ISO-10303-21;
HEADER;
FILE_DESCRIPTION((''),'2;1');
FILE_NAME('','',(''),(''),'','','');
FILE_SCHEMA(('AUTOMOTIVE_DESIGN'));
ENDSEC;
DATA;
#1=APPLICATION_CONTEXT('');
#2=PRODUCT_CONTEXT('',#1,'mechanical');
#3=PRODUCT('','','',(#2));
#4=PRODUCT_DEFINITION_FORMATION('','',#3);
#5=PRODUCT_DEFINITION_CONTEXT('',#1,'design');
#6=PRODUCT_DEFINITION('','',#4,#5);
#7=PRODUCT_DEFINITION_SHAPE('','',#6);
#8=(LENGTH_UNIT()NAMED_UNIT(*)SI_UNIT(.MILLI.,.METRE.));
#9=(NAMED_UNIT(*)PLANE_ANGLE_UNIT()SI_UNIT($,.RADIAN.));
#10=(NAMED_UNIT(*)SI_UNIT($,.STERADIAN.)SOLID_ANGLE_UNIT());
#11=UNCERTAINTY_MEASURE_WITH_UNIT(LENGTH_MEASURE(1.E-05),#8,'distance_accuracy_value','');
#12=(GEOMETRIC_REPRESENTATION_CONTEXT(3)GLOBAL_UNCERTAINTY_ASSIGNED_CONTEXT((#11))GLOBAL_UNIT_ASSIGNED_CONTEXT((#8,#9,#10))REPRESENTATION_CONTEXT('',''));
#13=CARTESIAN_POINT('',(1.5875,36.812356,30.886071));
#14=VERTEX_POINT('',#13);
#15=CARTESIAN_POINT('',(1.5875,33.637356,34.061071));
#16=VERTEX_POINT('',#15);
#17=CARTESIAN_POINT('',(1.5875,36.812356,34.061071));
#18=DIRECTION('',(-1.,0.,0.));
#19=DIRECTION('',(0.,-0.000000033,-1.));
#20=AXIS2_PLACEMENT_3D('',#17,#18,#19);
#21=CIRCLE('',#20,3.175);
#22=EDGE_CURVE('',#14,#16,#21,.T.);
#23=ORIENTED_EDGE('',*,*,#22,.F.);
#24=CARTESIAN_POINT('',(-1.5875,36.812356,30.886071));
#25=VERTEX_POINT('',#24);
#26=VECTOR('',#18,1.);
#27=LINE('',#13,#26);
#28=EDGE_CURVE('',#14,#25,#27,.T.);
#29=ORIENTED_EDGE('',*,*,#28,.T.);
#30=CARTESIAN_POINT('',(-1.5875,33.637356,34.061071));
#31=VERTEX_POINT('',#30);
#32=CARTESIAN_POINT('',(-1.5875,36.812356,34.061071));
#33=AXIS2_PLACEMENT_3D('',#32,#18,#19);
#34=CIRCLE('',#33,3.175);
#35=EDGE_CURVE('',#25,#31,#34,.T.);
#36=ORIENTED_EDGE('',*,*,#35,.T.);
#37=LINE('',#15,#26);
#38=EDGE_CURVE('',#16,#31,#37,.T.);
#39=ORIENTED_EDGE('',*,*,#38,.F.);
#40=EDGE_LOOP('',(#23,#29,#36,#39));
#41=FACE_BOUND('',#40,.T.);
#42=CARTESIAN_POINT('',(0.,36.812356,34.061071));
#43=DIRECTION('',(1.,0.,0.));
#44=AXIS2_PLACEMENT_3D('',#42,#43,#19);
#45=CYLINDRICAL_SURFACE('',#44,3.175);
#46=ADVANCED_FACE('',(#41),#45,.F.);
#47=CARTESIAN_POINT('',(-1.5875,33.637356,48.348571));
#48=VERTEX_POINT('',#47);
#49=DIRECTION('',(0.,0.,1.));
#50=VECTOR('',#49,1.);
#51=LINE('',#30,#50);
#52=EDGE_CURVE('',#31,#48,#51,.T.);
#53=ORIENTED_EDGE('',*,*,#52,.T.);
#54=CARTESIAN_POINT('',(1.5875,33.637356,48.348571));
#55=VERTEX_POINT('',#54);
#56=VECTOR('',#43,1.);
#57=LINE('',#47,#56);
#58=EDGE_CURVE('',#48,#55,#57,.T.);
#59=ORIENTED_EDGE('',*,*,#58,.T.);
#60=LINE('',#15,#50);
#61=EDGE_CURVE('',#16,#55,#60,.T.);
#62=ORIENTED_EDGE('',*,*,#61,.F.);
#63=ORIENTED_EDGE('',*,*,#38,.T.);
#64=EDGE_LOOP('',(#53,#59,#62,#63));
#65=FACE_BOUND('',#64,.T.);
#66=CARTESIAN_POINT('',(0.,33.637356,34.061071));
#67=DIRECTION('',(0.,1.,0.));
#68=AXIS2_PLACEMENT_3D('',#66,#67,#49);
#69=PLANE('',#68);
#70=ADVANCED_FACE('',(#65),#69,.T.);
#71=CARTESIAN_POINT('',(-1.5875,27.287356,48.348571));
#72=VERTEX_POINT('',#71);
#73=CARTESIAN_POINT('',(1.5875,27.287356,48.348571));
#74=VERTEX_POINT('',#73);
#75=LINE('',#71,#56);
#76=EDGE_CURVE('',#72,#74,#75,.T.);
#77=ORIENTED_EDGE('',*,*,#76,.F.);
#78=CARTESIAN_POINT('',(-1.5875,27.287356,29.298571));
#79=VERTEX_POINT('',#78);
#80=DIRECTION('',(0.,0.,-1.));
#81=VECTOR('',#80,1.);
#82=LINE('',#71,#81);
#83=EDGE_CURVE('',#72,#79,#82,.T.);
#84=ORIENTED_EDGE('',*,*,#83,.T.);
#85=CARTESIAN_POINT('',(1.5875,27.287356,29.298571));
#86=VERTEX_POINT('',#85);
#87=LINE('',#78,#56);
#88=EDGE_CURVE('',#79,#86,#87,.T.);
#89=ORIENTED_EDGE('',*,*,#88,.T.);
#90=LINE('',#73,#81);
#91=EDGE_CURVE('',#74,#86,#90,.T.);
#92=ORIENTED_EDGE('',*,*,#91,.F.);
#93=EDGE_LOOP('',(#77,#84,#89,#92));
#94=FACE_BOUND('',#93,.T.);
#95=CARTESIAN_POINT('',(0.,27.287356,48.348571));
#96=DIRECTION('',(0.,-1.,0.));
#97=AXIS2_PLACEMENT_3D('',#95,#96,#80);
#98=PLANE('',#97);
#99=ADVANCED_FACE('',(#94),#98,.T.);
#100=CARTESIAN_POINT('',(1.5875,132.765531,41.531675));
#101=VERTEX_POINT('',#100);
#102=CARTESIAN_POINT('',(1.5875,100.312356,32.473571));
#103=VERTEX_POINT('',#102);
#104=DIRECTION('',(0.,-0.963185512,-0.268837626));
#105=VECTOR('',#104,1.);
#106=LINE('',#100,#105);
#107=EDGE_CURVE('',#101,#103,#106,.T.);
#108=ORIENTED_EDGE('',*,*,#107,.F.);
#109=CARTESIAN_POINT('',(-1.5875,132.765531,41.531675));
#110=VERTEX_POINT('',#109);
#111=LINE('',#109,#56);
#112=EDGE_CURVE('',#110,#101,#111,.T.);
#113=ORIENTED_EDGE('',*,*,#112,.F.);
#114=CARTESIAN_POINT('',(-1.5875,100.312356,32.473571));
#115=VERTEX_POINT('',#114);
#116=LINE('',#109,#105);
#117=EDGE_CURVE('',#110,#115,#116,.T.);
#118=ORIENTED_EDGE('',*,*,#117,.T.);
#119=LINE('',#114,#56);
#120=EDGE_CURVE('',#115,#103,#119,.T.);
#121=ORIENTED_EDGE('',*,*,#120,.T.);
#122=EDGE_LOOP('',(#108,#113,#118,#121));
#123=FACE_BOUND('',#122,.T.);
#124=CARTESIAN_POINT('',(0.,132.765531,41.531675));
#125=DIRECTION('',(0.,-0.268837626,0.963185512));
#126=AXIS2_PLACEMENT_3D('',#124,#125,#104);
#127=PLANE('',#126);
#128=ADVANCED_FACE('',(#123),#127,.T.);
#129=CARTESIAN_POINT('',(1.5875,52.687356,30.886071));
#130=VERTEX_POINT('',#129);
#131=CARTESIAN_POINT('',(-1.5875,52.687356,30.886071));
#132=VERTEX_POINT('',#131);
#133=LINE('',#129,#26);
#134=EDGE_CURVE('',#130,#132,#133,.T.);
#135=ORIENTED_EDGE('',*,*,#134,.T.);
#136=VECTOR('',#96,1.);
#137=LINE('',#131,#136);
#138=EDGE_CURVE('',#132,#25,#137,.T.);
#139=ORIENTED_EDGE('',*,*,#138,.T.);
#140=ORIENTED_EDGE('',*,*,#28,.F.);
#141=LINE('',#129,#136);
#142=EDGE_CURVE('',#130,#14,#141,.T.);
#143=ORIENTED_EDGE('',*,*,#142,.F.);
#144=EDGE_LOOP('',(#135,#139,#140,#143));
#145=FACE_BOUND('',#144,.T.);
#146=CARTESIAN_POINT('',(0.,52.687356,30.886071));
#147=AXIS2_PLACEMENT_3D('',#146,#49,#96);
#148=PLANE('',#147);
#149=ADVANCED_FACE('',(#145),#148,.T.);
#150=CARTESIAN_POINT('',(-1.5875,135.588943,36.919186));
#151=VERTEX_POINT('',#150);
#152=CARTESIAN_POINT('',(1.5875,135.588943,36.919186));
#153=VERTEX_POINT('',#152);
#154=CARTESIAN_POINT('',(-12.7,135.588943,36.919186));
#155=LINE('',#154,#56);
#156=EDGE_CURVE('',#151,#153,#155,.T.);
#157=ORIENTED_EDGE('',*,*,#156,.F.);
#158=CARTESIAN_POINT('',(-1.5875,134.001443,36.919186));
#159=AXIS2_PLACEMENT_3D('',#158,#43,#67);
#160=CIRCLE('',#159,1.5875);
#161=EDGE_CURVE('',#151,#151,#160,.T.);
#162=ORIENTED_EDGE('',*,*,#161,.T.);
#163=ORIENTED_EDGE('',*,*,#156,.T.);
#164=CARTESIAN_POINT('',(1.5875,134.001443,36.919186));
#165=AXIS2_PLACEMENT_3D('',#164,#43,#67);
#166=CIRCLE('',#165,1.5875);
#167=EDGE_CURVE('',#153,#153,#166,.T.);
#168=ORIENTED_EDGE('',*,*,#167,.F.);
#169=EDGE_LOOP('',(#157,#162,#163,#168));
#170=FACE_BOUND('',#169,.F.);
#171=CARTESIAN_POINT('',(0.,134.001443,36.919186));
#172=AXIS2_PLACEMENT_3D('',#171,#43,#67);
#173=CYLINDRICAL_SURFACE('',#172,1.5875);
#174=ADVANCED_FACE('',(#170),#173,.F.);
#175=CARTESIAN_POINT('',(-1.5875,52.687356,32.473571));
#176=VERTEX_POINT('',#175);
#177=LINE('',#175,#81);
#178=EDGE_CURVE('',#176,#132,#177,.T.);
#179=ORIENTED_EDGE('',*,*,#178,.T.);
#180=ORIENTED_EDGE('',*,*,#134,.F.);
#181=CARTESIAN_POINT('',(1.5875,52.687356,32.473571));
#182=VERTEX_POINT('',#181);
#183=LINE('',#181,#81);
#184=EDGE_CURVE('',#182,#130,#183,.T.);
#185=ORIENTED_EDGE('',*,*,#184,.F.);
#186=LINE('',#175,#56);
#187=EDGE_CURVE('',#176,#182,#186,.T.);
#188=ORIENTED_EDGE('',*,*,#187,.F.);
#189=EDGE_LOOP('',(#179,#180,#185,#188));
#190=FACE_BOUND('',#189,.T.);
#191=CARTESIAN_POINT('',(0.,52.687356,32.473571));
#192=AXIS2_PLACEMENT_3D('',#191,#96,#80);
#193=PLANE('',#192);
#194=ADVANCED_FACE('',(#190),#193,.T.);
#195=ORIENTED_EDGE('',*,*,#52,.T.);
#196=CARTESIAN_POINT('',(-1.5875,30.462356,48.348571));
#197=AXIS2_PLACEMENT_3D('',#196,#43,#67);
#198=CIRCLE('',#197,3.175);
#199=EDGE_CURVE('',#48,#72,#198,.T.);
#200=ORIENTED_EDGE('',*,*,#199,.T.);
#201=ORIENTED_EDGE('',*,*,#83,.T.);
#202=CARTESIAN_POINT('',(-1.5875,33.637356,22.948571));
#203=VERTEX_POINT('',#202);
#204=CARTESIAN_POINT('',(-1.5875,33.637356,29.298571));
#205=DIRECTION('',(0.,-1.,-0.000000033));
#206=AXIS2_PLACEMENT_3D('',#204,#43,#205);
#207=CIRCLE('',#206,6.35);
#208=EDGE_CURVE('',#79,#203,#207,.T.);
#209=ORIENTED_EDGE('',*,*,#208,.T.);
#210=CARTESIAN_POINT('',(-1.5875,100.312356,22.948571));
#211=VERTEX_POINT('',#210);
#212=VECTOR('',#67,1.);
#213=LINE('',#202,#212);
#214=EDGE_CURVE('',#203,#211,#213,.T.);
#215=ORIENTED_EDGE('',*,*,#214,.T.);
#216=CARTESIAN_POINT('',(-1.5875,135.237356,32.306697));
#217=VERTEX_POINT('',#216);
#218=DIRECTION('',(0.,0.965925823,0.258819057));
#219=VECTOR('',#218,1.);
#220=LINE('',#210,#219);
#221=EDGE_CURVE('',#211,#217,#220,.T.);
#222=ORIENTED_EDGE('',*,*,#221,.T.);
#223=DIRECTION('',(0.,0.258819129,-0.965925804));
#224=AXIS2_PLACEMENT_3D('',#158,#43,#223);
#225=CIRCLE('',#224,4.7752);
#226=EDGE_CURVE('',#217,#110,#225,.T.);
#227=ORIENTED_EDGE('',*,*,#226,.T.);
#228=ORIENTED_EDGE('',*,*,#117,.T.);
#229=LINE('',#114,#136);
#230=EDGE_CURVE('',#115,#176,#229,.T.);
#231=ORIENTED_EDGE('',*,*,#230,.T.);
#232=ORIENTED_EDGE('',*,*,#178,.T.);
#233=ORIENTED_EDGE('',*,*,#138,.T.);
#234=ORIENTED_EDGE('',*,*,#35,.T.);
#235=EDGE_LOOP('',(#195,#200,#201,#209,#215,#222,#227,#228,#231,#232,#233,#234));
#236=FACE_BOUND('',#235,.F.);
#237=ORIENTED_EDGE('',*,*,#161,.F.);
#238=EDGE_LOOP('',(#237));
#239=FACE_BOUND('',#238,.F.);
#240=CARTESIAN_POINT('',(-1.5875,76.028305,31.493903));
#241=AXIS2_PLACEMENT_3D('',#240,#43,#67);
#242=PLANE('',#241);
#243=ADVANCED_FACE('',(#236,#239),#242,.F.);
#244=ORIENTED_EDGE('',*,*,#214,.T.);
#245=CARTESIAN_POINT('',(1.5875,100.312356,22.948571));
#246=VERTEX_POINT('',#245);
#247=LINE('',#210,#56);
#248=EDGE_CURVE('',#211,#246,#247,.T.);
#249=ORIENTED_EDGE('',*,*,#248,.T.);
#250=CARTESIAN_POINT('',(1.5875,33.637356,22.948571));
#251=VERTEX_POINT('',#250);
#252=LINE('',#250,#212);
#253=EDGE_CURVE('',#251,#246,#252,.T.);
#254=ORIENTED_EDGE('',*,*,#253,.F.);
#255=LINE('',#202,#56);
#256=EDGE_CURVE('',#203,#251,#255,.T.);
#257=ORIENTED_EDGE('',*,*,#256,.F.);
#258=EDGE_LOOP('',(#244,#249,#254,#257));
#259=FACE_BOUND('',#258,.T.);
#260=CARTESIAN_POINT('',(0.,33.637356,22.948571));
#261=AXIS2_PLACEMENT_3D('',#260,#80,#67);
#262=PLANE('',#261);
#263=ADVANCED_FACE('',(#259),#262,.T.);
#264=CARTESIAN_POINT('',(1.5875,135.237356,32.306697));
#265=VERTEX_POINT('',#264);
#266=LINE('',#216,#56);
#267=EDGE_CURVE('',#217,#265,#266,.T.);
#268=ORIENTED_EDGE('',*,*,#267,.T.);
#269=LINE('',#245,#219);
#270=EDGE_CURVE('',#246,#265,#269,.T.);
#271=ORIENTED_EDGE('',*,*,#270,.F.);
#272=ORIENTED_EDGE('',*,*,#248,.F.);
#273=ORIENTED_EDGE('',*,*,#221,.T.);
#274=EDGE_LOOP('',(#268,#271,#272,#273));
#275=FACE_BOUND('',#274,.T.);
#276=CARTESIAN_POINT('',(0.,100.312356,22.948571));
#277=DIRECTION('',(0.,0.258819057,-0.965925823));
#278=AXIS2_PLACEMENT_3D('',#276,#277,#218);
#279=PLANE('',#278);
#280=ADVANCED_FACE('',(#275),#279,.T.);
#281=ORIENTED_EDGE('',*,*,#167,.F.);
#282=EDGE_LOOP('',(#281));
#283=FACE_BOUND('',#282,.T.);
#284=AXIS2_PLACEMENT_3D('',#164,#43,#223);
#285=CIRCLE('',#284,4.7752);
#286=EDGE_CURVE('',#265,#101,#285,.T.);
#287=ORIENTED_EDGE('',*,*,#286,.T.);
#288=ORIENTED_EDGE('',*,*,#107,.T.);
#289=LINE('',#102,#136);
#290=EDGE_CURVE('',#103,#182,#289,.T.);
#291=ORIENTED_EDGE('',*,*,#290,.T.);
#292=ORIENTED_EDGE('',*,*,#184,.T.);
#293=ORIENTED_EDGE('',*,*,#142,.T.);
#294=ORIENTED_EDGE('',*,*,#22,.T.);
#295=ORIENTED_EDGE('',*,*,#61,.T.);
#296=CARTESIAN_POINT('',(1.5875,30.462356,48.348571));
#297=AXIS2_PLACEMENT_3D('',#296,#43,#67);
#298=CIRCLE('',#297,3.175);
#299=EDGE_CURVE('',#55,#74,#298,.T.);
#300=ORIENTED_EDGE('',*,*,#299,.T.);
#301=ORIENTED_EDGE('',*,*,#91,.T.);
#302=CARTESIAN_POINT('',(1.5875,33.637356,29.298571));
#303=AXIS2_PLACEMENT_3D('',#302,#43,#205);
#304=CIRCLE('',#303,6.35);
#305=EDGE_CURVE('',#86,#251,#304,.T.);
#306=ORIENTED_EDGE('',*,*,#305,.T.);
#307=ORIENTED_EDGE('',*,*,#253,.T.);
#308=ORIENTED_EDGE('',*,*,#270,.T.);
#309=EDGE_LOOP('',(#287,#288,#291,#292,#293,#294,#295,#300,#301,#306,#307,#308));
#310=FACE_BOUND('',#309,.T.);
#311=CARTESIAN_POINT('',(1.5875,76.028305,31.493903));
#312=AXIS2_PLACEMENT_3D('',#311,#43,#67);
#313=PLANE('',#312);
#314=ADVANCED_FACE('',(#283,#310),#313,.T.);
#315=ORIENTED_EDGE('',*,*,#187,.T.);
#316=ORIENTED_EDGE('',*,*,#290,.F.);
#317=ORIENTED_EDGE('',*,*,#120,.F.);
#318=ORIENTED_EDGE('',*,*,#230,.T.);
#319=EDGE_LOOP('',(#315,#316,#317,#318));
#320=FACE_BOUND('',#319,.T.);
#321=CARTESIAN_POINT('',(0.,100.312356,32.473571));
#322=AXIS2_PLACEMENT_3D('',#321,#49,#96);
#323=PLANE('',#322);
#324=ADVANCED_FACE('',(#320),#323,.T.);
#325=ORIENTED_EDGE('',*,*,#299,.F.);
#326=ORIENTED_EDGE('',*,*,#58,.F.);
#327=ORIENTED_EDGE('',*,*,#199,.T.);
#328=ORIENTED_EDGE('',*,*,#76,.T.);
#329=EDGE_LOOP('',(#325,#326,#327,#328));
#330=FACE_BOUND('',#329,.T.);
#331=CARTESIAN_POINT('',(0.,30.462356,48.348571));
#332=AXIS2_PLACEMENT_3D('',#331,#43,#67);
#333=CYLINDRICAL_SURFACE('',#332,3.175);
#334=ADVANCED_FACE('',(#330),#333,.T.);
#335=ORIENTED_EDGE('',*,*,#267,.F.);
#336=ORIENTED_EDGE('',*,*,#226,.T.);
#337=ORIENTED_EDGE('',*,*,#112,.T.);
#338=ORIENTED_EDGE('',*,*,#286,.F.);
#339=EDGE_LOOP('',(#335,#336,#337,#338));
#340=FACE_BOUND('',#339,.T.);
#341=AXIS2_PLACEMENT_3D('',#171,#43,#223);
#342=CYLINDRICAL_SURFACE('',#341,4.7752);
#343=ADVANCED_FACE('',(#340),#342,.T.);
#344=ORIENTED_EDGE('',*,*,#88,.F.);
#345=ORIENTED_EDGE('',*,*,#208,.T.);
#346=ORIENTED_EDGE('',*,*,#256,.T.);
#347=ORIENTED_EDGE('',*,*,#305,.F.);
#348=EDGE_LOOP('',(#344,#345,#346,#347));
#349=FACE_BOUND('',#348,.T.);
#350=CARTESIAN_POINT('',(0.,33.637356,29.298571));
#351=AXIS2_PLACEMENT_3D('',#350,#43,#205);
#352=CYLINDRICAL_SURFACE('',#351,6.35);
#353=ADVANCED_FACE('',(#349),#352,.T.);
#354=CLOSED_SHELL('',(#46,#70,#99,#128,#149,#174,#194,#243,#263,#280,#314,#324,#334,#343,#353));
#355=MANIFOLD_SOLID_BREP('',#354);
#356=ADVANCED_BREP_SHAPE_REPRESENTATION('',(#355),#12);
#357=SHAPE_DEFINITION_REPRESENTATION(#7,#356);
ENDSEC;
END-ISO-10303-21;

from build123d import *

# Parameters (mm, degrees)
F2_DEPTH = 1.5875
F1_R     = 1.5875
F3_DEPTH = 12.7


with BuildPart() as f2:
    # F0 (on Right) → F2 (new body, symmetric)
    with BuildSketch(Plane.YZ):
        with BuildLine():
            Line((33.637356, 34.061071), (33.637356, 48.348571))
            ThreePointArc((33.637356, 48.348571), (30.462356, 51.523571), (27.287356, 48.348571))
            Line((27.287356, 48.348571), (27.287356, 29.298571))
            ThreePointArc((27.287356, 29.298571), (29.147228, 24.808443), (33.637356, 22.948571))
            Line((33.637356, 22.948571), (100.312356, 22.948571))
            Line((100.312356, 22.948571), (135.237356, 32.306697))
            ThreePointArc((135.237356, 32.306697), (138.613932, 38.155098), (132.765531, 41.531675))
            Line((132.765531, 41.531675), (100.312356, 32.473571))
            Line((100.312356, 32.473571), (52.687356, 32.473571))
            Line((52.687356, 32.473571), (52.687356, 30.886071))
            Line((52.687356, 30.886071), (36.812356, 30.886071))
            ThreePointArc((36.812356, 30.886071), (34.567292, 31.816007), (33.637356, 34.061071))
        make_face()
    extrude(amount=F2_DEPTH, both=True)

    # F1 (on Right) → F3 (cut, symmetric)
    with BuildSketch(Plane.YZ):
        with Locations((134.001443, 36.919186)):
            Circle(F1_R)
    extrude(amount=F3_DEPTH, both=True, mode=Mode.SUBTRACT)


solid = f2.part
